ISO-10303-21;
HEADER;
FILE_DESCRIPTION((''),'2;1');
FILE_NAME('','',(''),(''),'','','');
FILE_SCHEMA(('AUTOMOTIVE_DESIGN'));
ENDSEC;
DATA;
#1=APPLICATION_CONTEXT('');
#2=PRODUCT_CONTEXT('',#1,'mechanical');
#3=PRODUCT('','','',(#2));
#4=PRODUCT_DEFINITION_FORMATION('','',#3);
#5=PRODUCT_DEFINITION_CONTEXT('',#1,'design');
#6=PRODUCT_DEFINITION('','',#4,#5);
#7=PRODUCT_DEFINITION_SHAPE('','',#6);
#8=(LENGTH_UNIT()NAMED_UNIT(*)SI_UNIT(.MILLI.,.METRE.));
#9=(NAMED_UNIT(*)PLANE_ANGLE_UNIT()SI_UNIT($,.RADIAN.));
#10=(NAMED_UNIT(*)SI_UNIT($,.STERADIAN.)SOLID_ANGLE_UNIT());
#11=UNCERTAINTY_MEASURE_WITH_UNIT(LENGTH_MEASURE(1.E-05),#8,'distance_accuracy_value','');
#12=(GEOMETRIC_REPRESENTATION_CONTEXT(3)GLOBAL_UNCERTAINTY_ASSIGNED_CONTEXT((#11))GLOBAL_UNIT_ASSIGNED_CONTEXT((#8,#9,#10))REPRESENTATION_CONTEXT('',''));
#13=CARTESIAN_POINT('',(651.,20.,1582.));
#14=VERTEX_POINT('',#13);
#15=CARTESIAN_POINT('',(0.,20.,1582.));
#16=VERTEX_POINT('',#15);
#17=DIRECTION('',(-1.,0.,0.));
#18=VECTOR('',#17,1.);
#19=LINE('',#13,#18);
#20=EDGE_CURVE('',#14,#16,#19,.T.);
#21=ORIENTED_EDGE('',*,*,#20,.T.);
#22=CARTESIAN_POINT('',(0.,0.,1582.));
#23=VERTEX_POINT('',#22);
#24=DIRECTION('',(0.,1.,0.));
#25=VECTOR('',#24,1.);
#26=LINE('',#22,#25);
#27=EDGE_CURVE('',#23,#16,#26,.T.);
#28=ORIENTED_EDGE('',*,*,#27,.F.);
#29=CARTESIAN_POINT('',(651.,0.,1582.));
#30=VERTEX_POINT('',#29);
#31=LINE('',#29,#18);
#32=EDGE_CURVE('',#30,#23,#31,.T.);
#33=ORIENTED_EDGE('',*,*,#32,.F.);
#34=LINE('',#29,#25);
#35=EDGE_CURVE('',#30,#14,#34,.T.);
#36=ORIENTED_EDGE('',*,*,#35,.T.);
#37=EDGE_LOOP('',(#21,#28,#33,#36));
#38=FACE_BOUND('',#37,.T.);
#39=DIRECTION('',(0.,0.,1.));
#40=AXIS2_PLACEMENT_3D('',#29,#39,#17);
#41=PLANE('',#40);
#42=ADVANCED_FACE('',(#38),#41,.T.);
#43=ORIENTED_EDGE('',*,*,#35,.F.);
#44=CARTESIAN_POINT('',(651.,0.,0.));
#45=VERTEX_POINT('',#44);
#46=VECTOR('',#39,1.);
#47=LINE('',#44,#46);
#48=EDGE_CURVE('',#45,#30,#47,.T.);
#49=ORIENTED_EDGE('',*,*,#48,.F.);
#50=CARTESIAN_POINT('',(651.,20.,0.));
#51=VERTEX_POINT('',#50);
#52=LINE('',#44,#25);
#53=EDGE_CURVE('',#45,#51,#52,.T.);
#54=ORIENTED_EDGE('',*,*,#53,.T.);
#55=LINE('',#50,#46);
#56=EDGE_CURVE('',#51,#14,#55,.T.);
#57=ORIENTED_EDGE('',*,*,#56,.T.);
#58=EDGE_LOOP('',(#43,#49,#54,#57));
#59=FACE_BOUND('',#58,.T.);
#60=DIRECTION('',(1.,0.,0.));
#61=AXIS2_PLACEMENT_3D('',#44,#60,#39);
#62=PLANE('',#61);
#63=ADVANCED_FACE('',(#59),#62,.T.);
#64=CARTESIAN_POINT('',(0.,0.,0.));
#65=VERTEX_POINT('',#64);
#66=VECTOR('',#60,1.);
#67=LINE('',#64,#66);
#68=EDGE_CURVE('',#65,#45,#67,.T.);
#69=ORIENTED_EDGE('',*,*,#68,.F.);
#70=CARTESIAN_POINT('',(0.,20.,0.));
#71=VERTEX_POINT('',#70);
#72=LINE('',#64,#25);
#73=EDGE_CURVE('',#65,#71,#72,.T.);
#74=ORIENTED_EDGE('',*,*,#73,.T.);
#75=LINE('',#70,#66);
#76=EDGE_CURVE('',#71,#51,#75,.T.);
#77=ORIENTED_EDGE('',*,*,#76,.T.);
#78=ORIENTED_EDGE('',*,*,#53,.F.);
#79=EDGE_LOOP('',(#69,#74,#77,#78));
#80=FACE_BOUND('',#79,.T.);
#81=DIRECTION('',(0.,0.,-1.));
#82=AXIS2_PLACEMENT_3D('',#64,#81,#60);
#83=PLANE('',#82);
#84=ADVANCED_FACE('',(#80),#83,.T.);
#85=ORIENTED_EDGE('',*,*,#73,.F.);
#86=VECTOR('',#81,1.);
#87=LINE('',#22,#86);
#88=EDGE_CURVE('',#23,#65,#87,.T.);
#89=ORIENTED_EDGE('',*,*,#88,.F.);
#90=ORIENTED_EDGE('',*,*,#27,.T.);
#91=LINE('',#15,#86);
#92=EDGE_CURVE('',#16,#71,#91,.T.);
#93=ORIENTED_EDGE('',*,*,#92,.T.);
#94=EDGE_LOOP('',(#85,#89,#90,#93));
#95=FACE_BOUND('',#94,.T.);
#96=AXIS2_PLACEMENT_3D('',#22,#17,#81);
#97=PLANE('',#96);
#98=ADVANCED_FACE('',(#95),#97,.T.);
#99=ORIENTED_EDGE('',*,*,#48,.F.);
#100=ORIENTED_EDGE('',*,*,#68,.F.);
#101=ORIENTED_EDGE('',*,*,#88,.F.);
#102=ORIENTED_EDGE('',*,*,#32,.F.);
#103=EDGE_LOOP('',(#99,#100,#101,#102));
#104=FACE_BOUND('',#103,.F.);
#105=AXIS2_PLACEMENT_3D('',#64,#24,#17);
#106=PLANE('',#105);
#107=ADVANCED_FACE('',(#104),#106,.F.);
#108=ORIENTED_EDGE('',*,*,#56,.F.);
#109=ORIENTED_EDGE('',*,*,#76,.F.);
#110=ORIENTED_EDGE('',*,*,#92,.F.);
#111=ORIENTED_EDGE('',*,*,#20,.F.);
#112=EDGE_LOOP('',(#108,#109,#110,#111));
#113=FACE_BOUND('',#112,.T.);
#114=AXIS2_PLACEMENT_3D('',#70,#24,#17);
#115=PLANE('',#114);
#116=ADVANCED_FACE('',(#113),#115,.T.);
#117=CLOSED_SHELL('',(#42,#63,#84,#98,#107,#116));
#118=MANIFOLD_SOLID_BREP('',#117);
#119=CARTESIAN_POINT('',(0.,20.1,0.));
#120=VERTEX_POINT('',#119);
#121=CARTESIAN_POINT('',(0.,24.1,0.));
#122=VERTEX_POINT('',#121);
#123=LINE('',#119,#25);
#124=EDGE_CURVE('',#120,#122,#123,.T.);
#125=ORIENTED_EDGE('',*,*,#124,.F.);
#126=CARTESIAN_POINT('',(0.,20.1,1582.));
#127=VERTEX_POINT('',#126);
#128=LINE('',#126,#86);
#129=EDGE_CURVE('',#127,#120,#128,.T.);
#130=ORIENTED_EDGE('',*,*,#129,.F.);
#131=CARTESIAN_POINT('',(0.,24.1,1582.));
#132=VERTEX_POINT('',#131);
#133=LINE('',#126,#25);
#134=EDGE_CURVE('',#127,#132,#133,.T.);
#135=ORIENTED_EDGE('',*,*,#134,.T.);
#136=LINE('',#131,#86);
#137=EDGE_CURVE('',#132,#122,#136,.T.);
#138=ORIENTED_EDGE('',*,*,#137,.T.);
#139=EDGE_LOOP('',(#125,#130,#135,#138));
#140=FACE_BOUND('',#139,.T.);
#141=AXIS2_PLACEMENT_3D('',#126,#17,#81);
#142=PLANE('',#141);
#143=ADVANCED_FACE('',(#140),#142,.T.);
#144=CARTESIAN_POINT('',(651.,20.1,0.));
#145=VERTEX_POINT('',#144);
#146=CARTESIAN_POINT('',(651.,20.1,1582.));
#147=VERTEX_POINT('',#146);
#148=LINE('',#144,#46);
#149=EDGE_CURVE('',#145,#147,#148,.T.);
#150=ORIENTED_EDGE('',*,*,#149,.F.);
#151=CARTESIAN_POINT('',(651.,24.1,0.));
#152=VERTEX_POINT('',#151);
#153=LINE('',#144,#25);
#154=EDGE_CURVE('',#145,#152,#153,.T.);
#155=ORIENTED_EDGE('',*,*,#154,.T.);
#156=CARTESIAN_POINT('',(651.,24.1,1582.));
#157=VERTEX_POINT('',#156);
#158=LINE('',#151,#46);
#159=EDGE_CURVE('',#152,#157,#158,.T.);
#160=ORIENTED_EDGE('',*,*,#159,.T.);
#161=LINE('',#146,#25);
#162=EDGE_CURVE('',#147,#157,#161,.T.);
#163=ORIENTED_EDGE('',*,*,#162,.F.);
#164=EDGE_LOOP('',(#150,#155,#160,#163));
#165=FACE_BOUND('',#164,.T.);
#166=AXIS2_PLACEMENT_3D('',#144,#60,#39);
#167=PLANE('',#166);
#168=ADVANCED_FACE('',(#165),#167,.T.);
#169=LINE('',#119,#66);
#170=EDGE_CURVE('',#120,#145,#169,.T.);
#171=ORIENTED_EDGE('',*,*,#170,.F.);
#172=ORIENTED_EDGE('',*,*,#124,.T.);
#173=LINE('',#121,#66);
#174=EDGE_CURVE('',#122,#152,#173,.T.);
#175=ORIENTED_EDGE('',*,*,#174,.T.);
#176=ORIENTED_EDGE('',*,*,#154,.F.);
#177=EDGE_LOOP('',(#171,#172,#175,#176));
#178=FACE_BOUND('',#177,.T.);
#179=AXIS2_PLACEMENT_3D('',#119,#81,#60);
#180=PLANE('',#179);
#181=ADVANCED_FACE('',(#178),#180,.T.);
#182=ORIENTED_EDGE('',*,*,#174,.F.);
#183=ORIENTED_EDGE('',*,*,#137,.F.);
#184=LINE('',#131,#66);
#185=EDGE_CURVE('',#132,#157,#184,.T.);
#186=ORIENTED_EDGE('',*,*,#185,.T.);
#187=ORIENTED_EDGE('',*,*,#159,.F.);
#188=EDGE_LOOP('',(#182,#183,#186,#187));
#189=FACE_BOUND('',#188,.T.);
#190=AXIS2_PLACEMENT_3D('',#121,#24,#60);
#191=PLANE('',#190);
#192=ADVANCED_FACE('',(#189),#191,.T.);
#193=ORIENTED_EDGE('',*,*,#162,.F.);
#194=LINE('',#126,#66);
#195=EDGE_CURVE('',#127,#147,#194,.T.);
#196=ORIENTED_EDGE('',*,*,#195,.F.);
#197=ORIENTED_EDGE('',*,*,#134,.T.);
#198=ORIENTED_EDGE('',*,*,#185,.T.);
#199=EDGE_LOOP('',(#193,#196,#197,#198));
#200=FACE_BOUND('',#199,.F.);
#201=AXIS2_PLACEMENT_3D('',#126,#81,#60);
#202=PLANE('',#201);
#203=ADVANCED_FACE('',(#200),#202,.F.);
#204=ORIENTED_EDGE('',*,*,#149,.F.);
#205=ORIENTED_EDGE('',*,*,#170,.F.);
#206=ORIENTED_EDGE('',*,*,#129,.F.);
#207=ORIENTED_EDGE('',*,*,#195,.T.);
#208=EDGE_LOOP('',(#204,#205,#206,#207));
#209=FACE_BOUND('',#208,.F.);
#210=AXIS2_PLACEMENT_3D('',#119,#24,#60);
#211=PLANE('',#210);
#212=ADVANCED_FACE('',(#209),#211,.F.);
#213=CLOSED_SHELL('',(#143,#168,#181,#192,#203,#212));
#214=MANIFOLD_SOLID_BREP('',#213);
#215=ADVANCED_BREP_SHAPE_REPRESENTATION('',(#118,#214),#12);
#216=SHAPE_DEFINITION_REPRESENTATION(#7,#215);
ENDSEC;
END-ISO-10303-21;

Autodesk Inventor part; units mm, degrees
ref_plane "YZ Plane" through (0, 0, 0) normal (1, 0, 0) x (0, 1, 0)
ref_plane "XZ Plane" through (0, 0, 0) normal (0, 1, 0) x (-1, 0, 0)
ref_plane "XY Plane" through (0, 0, 0) normal (0, 0, 1) x (1, 0, 0)
sketch "Sketch1" plane through (0, 0, 0) normal (0, 1, 0) x (-1, 0, 0)
  line L0 (0, 0) -> (-651, 0)
  line L1 (-651, 0) -> (-651, 1582)
  line L2 (-651, 1582) -> (0, 1582)
  line L3 (0, 1582) -> (0, 0)
  dimension "TablaLargo" = 1582
  dimension "TablaProfundo" = 651
extrude "Madera" add sketch "Sketch1" along normal blind 20
ref_plane "Work Plane1" through (0, 20.1, 0) normal (0, 1, 0) x (1, 0, 0)
sketch "Sketch3" plane through (0, 20.1, 0) normal (0, 1, 0) x (1, 0, 0)
  line L0 (0, -1582) -> (651, -1582) projected
  line L1 (0, 0) -> (651, 0)
  line L2 (651, 0) -> (651, -1582)
  line L3 (651, -1582) -> (0, -1582)
  line L4 (0, -1582) -> (0, 0)
extrude "Vidrio" add sketch "Sketch3" along normal blind 4
properties part number "Vidrio" material "Wood (Maple)"
